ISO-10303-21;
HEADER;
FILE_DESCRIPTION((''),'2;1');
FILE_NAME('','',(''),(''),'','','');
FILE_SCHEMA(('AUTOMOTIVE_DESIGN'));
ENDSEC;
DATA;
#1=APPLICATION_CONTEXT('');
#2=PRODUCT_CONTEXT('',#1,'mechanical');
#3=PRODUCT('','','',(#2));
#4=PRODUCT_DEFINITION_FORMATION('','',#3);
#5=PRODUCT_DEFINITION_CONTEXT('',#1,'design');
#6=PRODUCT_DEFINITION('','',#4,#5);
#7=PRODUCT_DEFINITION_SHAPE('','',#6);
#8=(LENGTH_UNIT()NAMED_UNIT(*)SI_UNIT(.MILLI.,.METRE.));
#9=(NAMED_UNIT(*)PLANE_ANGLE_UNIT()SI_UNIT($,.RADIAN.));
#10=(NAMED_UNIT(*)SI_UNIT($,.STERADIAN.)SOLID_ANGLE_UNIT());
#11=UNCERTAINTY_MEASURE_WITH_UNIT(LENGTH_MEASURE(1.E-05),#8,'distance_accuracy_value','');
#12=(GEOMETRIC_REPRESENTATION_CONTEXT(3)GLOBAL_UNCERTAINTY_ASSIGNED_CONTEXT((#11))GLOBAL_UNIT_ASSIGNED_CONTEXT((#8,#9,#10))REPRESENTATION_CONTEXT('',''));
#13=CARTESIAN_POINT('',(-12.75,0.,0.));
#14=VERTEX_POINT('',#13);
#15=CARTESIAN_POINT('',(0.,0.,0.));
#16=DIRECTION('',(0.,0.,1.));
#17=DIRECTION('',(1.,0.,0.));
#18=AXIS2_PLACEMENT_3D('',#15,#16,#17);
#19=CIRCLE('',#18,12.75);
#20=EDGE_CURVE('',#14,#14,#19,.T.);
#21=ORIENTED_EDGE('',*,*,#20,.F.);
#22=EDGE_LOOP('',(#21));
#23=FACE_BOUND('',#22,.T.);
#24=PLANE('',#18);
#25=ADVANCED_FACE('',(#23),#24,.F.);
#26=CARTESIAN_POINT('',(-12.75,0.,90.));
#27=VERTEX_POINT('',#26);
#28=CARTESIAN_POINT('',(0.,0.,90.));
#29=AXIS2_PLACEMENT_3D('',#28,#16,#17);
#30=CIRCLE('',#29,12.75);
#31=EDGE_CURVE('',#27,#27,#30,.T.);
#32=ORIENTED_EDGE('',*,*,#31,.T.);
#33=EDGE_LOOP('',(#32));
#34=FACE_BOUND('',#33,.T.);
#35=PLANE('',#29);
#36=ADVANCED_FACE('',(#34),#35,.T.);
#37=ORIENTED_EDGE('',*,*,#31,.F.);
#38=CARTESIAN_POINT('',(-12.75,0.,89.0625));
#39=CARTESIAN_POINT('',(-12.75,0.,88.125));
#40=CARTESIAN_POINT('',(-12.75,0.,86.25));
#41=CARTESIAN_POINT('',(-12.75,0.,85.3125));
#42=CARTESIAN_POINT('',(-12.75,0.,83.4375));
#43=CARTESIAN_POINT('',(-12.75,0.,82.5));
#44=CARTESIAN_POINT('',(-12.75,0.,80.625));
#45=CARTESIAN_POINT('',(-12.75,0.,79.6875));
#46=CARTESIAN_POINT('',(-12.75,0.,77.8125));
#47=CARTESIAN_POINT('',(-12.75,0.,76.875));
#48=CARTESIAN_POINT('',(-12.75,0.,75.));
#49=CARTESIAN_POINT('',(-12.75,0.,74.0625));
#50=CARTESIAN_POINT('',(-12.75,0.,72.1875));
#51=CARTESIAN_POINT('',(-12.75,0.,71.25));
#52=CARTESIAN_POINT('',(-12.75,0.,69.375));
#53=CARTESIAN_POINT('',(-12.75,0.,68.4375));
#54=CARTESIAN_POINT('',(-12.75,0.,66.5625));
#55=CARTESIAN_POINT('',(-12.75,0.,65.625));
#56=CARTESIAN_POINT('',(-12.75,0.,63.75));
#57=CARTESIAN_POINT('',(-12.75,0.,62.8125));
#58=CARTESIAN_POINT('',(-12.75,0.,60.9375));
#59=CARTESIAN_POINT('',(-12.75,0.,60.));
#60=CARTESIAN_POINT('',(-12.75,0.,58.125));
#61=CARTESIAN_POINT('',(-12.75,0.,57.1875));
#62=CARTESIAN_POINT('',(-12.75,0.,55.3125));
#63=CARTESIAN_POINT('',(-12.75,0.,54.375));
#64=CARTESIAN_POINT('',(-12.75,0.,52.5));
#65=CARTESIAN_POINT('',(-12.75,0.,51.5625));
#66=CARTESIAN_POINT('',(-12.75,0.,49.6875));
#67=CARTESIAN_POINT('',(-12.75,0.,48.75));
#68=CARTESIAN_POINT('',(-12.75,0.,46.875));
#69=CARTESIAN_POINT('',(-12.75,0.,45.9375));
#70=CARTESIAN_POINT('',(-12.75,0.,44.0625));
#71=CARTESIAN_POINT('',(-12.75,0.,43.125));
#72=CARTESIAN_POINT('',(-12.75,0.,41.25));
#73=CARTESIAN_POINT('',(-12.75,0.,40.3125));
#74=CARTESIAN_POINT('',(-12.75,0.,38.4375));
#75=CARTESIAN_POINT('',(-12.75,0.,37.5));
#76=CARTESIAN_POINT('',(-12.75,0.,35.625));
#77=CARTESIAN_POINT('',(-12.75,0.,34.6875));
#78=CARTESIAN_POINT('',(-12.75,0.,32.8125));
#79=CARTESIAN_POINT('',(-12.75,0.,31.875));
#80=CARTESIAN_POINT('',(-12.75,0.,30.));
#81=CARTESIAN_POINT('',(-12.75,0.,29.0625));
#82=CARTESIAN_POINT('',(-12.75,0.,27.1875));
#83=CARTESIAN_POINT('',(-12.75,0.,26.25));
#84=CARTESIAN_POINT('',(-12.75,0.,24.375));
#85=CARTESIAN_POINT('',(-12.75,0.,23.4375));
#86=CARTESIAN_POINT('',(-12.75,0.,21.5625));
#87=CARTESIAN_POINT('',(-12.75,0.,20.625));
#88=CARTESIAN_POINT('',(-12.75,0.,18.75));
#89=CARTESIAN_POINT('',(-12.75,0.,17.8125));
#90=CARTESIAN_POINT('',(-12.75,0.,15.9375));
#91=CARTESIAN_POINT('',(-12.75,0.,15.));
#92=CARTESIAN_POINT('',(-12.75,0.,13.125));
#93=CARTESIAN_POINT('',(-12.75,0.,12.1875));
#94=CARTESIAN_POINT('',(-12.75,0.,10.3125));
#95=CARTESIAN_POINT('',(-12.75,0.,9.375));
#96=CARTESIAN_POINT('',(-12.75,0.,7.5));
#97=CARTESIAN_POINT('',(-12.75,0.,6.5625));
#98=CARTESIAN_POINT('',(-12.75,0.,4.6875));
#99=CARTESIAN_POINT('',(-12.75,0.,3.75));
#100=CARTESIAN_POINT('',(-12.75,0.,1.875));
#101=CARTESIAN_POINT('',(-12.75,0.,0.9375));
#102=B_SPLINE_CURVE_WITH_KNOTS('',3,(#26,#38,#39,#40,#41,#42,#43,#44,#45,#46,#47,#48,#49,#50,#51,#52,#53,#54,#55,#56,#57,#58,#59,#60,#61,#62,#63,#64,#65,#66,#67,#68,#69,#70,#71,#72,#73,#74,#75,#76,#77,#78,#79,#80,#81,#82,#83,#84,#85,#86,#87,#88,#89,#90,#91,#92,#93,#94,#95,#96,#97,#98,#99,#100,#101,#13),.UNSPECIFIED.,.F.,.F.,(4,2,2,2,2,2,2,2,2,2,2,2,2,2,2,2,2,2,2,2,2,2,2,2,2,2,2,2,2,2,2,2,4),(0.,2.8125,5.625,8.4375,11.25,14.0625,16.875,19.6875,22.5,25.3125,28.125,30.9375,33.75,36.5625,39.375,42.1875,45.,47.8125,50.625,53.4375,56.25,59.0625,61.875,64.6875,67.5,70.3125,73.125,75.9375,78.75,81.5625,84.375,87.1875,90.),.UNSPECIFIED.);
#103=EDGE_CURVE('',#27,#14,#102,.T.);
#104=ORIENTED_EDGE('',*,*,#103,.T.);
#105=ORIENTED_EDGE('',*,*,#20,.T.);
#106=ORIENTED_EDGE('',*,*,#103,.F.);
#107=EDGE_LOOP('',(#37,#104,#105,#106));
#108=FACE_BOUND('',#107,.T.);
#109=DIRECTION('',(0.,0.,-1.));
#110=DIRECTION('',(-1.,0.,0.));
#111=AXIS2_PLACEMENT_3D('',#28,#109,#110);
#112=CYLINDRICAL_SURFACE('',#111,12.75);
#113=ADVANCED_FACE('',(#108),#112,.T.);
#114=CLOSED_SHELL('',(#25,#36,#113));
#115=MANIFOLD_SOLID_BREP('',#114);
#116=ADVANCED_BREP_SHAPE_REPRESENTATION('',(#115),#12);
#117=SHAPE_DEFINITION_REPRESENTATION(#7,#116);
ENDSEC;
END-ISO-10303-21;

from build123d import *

# Parameters (mm, degrees)
SKETCH1_R      = 12.75
EXTRUDE1_DEPTH = 90


with BuildPart() as part:
    # Sketch1 → Extrude1 (new body)
    with BuildSketch(Plane.XY):
        with Locations(Location((0, 0, 0), (0, 0, 180))):
            Circle(SKETCH1_R)
    extrude(amount=EXTRUDE1_DEPTH)


solid = part.part
